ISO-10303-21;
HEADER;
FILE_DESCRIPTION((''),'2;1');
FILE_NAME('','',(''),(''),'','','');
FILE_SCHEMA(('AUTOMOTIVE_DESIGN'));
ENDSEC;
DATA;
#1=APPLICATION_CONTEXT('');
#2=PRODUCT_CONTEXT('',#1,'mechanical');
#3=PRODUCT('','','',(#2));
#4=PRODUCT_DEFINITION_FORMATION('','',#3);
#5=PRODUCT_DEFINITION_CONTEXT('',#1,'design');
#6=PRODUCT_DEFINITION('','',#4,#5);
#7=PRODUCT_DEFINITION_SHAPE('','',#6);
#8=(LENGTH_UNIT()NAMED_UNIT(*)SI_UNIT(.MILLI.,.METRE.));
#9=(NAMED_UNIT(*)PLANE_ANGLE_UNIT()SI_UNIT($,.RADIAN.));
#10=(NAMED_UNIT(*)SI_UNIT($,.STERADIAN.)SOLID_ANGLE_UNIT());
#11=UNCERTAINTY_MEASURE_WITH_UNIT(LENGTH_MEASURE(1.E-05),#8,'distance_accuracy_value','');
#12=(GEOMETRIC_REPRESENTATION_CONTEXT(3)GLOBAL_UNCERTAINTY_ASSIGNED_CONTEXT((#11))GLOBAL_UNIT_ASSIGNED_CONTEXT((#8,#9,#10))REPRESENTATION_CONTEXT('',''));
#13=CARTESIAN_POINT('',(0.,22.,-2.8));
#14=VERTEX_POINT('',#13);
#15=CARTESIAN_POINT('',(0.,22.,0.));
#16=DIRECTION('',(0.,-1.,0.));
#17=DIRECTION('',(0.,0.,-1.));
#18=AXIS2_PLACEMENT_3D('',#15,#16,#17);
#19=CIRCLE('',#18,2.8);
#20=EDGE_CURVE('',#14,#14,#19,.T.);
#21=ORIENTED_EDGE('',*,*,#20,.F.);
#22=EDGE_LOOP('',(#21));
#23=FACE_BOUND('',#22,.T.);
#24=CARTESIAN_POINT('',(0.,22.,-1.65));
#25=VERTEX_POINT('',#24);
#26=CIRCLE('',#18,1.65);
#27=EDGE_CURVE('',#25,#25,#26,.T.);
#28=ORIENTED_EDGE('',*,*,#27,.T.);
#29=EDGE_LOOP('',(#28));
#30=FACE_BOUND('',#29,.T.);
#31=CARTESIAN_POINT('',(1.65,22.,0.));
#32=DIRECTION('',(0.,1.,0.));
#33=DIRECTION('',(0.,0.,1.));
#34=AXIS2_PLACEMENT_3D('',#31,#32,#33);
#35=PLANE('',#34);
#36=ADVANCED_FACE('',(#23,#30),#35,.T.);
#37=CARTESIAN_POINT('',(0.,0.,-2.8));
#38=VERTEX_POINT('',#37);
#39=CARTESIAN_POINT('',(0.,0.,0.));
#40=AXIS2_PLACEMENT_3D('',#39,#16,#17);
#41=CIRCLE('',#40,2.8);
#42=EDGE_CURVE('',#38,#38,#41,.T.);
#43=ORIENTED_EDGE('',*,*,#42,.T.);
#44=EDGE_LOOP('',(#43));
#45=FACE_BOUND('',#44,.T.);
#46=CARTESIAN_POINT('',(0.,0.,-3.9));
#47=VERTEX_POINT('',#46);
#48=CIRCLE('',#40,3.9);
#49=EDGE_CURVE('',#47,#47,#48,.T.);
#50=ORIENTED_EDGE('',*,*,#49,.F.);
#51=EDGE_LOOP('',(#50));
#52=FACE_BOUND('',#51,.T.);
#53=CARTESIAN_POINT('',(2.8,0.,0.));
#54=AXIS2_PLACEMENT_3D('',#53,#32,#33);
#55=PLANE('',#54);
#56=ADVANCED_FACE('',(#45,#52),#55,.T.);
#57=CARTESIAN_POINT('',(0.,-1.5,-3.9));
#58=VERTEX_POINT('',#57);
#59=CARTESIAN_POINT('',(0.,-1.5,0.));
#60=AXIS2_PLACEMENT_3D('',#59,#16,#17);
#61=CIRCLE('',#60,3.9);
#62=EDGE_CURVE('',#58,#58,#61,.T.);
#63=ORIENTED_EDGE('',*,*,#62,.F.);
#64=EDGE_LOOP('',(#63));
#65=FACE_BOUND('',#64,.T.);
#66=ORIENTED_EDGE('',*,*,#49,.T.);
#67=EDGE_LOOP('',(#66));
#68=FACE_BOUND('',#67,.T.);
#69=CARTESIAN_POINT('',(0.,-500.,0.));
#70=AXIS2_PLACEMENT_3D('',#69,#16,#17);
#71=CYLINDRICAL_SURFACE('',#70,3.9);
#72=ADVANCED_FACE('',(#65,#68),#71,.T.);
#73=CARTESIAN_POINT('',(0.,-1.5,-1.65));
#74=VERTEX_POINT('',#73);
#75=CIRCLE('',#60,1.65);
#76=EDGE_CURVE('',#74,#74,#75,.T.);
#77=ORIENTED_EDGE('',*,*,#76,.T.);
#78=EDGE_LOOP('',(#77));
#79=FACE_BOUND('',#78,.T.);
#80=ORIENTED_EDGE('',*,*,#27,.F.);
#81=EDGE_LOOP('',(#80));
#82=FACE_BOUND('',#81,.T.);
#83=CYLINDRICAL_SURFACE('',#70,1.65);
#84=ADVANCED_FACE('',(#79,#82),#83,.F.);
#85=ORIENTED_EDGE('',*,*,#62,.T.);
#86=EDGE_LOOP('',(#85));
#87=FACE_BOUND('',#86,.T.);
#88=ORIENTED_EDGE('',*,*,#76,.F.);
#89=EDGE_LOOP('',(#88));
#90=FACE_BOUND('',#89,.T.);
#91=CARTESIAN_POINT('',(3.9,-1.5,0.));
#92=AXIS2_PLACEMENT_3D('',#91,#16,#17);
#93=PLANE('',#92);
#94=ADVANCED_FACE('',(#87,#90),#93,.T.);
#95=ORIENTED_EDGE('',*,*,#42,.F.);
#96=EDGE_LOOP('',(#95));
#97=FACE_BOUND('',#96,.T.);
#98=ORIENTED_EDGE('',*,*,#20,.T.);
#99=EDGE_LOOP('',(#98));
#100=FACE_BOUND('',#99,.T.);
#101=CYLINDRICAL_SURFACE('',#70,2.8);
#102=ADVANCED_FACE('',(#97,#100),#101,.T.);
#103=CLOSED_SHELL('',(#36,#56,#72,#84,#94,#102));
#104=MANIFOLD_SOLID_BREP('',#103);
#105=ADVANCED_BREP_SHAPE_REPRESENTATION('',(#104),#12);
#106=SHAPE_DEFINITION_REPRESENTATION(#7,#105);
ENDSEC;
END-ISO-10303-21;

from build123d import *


with BuildPart() as part:
    # Reconstructed nominal axial profile → Native revolved geometry (revolve)
    with BuildSketch(Plane.XY, mode=Mode.PRIVATE) as native_revolved_geometry_sk:
        Polygon((1.65, -1.5), (1.65, 22), (2.8, 22), (2.8, 0), (3.9, 0), (3.9, -1.5), align=None)
    revolve(native_revolved_geometry_sk.sketch.rotate(Axis((0, -500, 0), (0, 1, 0)), 90), axis=Axis((0, -500, 0), (0, 1, 0)))


solid = part.part
